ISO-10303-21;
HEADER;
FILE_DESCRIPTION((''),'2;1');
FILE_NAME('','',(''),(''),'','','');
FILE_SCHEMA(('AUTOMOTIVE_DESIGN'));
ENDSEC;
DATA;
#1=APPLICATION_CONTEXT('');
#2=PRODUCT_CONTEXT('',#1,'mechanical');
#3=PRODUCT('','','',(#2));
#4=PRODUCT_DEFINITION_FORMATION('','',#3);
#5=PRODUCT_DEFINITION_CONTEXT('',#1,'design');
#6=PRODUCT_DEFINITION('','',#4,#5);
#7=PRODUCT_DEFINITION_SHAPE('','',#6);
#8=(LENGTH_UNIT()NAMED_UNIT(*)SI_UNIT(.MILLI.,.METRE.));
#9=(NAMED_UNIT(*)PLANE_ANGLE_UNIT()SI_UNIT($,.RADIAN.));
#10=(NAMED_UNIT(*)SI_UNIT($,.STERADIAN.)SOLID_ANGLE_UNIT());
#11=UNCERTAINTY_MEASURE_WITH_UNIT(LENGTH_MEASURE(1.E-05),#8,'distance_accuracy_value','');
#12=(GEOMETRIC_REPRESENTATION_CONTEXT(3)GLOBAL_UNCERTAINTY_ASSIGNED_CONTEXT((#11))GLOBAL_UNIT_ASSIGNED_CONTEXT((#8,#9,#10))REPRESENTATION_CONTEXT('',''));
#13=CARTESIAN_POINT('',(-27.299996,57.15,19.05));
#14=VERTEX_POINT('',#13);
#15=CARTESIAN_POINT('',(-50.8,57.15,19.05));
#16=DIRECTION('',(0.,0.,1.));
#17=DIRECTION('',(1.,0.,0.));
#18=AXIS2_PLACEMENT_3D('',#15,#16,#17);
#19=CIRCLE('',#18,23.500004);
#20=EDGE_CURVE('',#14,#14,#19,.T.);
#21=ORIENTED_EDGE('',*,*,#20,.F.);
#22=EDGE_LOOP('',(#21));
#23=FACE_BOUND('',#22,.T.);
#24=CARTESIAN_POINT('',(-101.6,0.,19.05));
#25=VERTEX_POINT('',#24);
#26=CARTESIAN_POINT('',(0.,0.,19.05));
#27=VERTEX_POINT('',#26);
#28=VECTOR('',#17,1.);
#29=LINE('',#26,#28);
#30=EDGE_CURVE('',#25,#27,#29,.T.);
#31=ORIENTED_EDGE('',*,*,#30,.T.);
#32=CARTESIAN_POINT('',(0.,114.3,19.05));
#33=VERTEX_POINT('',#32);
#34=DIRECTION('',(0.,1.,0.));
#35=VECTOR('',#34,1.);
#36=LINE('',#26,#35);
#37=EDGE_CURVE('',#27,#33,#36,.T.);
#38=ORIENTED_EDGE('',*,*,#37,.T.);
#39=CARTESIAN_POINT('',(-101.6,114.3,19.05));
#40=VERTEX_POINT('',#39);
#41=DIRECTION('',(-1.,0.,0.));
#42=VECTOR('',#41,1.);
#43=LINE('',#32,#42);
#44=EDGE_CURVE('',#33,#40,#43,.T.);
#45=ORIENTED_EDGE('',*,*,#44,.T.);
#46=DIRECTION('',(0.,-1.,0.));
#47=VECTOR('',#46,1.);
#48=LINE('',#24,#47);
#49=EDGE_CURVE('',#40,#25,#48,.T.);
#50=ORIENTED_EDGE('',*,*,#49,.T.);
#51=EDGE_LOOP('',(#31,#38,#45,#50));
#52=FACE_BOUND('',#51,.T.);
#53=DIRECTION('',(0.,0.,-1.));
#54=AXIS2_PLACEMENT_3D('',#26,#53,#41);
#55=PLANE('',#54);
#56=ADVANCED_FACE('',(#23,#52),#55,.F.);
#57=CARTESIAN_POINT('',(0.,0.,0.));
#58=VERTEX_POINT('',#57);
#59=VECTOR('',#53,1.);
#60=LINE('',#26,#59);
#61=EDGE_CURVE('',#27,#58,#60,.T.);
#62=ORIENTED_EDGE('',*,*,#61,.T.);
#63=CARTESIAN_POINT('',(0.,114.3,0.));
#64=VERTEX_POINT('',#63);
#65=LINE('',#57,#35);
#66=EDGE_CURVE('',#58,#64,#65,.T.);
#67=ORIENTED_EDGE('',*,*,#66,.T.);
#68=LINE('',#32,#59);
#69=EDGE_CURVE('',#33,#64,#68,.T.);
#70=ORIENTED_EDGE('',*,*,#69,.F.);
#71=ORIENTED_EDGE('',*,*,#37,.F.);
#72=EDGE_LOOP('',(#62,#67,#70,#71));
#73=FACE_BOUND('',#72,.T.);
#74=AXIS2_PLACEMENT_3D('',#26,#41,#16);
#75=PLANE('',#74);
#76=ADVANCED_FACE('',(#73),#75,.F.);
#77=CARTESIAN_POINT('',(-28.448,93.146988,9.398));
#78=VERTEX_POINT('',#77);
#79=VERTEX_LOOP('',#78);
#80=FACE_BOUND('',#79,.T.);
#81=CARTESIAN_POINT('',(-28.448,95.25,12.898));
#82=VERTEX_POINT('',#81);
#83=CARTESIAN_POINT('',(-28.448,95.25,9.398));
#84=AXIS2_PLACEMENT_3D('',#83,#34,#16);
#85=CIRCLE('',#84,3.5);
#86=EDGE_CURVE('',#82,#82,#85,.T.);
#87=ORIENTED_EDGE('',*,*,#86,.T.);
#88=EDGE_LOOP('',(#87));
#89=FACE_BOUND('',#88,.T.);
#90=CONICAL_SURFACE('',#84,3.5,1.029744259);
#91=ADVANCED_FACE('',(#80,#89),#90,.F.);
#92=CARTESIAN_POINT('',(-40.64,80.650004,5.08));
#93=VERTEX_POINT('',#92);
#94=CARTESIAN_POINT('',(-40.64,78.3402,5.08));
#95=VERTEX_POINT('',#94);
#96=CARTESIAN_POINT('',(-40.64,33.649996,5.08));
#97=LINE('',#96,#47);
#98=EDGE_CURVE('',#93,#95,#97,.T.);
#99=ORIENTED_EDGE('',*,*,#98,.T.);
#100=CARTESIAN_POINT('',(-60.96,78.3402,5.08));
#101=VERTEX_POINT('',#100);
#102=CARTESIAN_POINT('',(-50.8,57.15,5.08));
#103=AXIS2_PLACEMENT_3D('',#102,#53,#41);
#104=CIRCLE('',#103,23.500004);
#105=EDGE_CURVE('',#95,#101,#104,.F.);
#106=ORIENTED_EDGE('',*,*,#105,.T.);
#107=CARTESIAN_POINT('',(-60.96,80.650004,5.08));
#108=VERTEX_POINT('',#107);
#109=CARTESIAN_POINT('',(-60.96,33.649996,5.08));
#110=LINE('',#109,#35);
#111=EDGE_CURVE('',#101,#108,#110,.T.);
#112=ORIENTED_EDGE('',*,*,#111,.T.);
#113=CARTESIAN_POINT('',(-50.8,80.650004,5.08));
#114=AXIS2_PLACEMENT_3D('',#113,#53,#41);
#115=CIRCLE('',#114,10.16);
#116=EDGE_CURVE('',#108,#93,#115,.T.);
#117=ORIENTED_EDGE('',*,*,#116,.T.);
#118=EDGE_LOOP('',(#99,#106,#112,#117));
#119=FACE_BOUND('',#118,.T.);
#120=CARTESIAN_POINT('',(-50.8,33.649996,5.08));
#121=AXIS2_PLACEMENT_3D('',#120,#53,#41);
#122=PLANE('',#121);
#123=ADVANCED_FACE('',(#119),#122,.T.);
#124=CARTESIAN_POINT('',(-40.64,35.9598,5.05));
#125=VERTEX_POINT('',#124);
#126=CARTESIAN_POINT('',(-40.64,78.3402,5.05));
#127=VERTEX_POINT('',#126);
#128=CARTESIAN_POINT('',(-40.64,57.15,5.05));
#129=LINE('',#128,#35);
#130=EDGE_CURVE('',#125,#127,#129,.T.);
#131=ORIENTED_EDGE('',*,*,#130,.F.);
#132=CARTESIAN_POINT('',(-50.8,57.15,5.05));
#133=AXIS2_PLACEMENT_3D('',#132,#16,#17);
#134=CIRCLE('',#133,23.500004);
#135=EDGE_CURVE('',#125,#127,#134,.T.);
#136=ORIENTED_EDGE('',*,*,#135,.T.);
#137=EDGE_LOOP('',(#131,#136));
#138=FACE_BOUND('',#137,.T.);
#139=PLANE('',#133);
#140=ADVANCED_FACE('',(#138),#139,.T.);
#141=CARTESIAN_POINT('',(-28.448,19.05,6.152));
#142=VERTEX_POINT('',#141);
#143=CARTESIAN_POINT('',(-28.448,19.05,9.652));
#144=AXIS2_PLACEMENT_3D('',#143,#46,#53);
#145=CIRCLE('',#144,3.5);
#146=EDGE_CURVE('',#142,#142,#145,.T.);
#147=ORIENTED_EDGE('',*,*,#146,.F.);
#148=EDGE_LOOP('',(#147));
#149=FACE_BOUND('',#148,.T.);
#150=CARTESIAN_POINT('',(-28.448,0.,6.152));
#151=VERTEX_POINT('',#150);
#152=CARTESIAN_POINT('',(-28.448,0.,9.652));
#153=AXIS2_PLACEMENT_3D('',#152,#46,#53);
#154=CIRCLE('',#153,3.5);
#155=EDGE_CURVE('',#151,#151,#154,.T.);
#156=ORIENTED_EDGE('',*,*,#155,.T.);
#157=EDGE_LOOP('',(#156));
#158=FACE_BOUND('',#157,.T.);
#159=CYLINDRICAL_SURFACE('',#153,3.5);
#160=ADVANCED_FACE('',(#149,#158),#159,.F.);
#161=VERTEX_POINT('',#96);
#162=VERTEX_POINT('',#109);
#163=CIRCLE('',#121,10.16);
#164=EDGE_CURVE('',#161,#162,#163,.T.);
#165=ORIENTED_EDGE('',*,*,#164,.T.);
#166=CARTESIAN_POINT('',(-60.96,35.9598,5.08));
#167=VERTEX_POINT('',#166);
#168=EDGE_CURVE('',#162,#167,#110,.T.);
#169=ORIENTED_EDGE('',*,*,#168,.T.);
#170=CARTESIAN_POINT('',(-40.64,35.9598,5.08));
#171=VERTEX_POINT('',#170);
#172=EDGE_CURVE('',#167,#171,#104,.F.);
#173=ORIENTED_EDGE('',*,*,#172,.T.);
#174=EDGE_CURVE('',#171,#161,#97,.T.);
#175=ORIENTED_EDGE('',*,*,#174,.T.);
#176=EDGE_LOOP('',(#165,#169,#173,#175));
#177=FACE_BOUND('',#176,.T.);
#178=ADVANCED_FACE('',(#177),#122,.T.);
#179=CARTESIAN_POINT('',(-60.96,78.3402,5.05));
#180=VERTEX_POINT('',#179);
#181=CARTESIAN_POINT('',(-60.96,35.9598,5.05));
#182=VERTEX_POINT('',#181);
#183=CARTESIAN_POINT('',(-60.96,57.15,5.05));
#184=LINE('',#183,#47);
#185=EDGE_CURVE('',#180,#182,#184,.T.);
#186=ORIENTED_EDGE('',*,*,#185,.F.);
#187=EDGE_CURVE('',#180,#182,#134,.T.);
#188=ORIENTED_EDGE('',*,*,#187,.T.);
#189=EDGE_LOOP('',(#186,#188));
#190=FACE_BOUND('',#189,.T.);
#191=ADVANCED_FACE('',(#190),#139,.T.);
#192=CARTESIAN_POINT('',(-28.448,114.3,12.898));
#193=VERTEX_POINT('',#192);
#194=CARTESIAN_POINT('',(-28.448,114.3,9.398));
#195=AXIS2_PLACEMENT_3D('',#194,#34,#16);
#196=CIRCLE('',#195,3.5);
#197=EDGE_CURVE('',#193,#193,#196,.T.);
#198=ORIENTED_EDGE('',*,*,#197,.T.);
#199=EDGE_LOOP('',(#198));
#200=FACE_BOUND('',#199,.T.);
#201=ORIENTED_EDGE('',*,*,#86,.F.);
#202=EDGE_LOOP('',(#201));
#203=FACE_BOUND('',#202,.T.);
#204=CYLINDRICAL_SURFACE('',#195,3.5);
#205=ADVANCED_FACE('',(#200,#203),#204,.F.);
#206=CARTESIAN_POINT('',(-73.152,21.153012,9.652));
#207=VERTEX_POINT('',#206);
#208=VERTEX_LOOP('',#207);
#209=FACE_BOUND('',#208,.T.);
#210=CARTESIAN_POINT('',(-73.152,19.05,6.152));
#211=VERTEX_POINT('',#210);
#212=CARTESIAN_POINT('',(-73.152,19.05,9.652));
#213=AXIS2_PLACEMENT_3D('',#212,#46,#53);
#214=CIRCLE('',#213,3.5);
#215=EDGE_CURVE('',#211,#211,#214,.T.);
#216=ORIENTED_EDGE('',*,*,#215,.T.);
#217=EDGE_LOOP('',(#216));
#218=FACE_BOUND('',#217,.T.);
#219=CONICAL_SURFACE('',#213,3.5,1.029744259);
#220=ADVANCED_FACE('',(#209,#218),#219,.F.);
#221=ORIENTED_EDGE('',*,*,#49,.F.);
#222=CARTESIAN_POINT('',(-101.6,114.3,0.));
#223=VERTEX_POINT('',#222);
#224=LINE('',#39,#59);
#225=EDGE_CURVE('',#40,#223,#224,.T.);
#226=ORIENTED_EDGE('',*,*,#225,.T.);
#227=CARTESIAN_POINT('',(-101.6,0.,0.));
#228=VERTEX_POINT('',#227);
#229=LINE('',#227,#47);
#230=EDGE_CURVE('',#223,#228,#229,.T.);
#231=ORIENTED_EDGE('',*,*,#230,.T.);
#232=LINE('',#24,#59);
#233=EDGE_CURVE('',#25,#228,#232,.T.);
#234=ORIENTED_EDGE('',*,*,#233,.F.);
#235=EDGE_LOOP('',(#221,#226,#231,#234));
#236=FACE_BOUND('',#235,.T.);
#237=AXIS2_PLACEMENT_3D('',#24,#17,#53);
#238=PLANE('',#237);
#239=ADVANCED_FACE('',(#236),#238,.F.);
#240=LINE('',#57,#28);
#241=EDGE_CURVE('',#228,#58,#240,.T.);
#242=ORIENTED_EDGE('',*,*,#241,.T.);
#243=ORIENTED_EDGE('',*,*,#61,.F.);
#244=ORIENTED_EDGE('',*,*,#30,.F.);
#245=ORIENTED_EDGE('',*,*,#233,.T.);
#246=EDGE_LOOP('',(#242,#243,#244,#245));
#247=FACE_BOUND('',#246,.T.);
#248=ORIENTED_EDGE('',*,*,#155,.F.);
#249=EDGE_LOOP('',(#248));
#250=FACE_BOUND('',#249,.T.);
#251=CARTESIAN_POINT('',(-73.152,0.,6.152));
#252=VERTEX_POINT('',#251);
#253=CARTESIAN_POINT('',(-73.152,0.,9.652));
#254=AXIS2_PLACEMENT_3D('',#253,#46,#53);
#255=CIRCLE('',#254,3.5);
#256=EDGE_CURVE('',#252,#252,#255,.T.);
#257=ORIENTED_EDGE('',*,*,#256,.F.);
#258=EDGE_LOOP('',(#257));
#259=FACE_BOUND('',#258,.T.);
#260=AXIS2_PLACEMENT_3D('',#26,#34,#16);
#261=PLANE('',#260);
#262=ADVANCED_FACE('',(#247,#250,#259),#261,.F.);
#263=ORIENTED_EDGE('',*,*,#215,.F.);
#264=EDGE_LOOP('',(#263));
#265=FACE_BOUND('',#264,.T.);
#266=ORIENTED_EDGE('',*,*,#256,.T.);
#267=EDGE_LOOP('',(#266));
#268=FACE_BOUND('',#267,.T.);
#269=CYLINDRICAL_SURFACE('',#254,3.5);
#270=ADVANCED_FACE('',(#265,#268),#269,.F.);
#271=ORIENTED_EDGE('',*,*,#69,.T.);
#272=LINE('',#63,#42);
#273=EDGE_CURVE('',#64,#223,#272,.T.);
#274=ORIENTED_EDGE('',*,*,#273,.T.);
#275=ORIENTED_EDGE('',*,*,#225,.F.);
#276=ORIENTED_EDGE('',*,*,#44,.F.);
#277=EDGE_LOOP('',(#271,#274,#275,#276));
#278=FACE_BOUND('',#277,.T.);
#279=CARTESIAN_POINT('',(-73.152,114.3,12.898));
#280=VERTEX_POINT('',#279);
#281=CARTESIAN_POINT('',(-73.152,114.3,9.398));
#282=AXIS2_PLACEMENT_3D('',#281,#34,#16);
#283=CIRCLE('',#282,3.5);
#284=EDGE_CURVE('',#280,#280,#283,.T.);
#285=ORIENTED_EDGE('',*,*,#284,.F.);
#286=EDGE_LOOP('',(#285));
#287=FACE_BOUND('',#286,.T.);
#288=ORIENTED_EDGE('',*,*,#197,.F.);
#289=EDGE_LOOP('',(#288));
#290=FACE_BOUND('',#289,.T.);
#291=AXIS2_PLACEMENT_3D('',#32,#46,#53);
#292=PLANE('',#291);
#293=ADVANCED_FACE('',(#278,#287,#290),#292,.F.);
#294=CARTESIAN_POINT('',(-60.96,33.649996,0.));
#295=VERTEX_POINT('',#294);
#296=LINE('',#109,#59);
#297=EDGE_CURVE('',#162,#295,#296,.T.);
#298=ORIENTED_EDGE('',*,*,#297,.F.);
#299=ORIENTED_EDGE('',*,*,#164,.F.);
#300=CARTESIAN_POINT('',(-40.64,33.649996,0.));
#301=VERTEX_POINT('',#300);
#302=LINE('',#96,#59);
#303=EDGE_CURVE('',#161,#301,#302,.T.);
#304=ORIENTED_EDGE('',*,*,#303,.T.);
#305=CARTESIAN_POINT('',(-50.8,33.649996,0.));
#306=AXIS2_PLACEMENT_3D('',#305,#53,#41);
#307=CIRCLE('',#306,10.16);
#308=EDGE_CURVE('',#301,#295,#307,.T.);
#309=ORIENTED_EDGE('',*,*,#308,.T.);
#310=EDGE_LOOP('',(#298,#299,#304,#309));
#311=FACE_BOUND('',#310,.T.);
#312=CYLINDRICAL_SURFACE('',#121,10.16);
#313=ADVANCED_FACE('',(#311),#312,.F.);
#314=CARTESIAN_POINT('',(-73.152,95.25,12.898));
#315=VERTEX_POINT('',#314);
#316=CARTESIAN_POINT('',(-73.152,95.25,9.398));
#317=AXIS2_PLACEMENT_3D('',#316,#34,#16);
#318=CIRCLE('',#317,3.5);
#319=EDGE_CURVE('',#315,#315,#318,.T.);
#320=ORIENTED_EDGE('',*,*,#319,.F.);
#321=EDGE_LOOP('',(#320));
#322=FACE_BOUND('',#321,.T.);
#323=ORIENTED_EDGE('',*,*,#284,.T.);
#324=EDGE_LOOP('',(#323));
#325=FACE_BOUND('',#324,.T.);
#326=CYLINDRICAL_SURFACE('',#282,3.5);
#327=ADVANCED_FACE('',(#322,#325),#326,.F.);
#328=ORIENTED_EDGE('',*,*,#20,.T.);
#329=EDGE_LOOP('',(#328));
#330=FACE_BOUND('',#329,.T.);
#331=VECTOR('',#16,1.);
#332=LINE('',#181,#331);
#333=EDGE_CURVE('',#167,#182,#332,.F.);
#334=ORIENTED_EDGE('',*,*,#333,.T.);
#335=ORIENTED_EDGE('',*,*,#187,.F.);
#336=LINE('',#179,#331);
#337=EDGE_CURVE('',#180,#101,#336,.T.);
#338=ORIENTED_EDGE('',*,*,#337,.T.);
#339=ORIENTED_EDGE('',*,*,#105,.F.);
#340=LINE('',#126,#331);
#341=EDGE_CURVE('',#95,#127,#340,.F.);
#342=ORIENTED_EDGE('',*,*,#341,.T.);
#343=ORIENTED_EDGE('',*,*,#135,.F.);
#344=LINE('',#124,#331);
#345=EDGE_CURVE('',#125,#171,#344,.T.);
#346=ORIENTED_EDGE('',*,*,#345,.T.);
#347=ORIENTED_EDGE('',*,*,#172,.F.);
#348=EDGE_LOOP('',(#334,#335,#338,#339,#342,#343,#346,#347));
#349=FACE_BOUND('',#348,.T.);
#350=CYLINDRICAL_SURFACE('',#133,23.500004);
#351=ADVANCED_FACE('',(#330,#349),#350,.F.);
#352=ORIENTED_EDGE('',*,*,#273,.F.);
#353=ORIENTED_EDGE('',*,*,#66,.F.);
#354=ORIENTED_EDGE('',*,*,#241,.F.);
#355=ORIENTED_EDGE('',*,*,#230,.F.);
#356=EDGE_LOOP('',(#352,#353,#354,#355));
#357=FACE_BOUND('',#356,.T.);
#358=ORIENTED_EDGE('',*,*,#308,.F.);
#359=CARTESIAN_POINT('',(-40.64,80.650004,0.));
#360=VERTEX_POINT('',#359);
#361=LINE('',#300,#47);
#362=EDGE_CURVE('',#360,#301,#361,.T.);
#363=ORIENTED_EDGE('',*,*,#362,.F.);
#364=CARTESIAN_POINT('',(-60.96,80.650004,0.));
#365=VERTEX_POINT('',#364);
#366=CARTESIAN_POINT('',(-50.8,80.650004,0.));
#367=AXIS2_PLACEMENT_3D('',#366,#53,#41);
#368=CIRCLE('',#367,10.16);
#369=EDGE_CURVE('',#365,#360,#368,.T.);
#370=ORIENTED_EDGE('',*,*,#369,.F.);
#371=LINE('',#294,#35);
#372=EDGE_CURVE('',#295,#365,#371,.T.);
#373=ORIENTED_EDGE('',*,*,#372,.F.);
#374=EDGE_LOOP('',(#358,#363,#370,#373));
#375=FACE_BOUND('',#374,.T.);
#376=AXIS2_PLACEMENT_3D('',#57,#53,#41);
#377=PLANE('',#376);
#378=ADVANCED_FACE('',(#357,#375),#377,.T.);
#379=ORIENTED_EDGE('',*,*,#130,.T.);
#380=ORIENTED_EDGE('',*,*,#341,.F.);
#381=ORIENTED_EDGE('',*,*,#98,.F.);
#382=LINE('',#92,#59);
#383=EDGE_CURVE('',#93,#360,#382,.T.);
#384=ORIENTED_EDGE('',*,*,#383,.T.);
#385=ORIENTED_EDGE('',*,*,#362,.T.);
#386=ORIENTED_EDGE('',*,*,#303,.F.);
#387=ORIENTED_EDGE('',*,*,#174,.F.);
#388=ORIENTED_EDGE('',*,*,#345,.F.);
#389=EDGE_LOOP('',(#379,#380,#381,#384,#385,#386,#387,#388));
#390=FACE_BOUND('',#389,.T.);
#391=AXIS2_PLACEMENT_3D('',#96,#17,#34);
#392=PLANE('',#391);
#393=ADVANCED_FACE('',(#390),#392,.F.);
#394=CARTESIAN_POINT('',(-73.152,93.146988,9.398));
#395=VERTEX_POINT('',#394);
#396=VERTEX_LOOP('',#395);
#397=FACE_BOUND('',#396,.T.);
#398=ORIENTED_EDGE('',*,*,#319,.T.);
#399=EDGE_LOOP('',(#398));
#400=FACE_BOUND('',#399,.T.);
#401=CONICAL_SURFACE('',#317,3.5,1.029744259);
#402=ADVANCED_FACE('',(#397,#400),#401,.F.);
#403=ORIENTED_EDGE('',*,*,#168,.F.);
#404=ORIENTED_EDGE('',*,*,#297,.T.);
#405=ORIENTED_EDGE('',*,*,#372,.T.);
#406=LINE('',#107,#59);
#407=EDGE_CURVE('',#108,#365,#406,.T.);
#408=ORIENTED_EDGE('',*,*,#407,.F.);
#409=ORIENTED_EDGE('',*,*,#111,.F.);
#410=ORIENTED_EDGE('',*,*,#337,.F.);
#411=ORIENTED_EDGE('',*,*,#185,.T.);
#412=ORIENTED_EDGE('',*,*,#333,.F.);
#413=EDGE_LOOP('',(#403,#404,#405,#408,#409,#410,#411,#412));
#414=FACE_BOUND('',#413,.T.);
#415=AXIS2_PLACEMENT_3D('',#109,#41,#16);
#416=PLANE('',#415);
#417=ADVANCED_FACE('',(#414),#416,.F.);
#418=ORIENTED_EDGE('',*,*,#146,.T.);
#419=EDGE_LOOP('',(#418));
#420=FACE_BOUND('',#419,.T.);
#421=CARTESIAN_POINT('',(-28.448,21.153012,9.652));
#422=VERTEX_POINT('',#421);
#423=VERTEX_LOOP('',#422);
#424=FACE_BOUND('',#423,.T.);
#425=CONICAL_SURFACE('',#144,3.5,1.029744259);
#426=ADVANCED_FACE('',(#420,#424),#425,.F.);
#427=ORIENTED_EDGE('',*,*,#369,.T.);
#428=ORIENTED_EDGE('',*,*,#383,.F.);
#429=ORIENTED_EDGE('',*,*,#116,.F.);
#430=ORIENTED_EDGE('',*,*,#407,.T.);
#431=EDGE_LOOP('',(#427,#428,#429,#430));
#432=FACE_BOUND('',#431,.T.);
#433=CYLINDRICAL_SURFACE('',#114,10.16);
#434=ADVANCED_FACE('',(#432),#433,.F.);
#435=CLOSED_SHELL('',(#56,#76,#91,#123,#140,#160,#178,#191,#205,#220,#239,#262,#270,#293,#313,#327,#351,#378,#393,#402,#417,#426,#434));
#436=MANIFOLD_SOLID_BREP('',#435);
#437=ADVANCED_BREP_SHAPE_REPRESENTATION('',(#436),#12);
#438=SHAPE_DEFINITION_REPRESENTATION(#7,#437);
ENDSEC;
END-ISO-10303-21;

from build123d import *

# Parameters (mm, degrees)
SKETCH2_W                 = 114.3
SKETCH2_H                 = 101.6
BOSS_EXTRUDE2_DEPTH       = 19.05
M8X1_0_TAPPED_HOLE1_D     = 7
M8X1_0_TAPPED_HOLE1_DEPTH = 19.05
M8X1_0_TAPPED_HOLE1_TIP   = 2.103012167
M8X1_0_TAPPED_HOLE2_D     = 7
M8X1_0_TAPPED_HOLE2_DEPTH = 19.05
M8X1_0_TAPPED_HOLE2_TIP   = 2.103012167
SKETCH7_R                 = 23.5000038
CUT_EXTRUDE1_DEPTH        = 13.99999994
CUT_EXTRUDE5_DEPTH        = 5.08


with BuildPart() as part:
    # Sketch2 → Boss-Extrude2 (new body)
    with BuildSketch(Plane(origin=(0, 0, 0), x_dir=(0, 1, 0), z_dir=(0, 0, 1))):
        with Locations((57.15, 50.8)):
            Rectangle(SKETCH2_W, SKETCH2_H)
    extrude(amount=BOSS_EXTRUDE2_DEPTH)

    # M8x1.0 Tapped Hole1
    with Locations(Plane.XZ):
        with Locations((-28.448, 9.652), (-73.152, 9.652)):
            Hole(M8X1_0_TAPPED_HOLE1_D / 2, depth=M8X1_0_TAPPED_HOLE1_DEPTH)
            with Locations((0, 0, -(M8X1_0_TAPPED_HOLE1_DEPTH + M8X1_0_TAPPED_HOLE1_TIP / 2))):  # 118° drill point
                Cone(0, M8X1_0_TAPPED_HOLE1_D / 2, M8X1_0_TAPPED_HOLE1_TIP, mode=Mode.SUBTRACT)

    # M8x1.0 Tapped Hole2
    with Locations(Plane(origin=(0, 114.3, 0), x_dir=(-1, 0, 0), z_dir=(0, 1, 0))):
        with Locations((73.152, 9.398), (28.448, 9.398)):
            Hole(M8X1_0_TAPPED_HOLE2_D / 2, depth=M8X1_0_TAPPED_HOLE2_DEPTH)
            with Locations((0, 0, -(M8X1_0_TAPPED_HOLE2_DEPTH + M8X1_0_TAPPED_HOLE2_TIP / 2))):  # 118° drill point
                Cone(0, M8X1_0_TAPPED_HOLE2_D / 2, M8X1_0_TAPPED_HOLE2_TIP, mode=Mode.SUBTRACT)

    # Sketch7 → Cut-Extrude1 (cut)
    with BuildSketch(Plane.XY.offset(19.05)):
        with Locations((-50.8, 57.15)):
            Circle(SKETCH7_R)
    extrude(amount=-CUT_EXTRUDE1_DEPTH, mode=Mode.SUBTRACT)

    # Sketch8 → Cut-Extrude5 (cut)
    with BuildSketch(Plane(origin=(0, 0, 0), x_dir=(1, 0, 0), z_dir=(0, 0, -1))):
        with BuildLine():
            Line((-40.64, -33.6499962), (-40.64, -80.6500038))
            ThreePointArc((-40.64, -80.6500038), (-50.8, -90.8100038), (-60.96, -80.6500038))
            Line((-60.96, -80.6500038), (-60.96, -33.6499962))
            ThreePointArc((-60.96, -33.6499962), (-50.8, -23.4899962), (-40.64, -33.6499962))
        make_face()
    extrude(amount=-CUT_EXTRUDE5_DEPTH, mode=Mode.SUBTRACT)


solid = part.part
